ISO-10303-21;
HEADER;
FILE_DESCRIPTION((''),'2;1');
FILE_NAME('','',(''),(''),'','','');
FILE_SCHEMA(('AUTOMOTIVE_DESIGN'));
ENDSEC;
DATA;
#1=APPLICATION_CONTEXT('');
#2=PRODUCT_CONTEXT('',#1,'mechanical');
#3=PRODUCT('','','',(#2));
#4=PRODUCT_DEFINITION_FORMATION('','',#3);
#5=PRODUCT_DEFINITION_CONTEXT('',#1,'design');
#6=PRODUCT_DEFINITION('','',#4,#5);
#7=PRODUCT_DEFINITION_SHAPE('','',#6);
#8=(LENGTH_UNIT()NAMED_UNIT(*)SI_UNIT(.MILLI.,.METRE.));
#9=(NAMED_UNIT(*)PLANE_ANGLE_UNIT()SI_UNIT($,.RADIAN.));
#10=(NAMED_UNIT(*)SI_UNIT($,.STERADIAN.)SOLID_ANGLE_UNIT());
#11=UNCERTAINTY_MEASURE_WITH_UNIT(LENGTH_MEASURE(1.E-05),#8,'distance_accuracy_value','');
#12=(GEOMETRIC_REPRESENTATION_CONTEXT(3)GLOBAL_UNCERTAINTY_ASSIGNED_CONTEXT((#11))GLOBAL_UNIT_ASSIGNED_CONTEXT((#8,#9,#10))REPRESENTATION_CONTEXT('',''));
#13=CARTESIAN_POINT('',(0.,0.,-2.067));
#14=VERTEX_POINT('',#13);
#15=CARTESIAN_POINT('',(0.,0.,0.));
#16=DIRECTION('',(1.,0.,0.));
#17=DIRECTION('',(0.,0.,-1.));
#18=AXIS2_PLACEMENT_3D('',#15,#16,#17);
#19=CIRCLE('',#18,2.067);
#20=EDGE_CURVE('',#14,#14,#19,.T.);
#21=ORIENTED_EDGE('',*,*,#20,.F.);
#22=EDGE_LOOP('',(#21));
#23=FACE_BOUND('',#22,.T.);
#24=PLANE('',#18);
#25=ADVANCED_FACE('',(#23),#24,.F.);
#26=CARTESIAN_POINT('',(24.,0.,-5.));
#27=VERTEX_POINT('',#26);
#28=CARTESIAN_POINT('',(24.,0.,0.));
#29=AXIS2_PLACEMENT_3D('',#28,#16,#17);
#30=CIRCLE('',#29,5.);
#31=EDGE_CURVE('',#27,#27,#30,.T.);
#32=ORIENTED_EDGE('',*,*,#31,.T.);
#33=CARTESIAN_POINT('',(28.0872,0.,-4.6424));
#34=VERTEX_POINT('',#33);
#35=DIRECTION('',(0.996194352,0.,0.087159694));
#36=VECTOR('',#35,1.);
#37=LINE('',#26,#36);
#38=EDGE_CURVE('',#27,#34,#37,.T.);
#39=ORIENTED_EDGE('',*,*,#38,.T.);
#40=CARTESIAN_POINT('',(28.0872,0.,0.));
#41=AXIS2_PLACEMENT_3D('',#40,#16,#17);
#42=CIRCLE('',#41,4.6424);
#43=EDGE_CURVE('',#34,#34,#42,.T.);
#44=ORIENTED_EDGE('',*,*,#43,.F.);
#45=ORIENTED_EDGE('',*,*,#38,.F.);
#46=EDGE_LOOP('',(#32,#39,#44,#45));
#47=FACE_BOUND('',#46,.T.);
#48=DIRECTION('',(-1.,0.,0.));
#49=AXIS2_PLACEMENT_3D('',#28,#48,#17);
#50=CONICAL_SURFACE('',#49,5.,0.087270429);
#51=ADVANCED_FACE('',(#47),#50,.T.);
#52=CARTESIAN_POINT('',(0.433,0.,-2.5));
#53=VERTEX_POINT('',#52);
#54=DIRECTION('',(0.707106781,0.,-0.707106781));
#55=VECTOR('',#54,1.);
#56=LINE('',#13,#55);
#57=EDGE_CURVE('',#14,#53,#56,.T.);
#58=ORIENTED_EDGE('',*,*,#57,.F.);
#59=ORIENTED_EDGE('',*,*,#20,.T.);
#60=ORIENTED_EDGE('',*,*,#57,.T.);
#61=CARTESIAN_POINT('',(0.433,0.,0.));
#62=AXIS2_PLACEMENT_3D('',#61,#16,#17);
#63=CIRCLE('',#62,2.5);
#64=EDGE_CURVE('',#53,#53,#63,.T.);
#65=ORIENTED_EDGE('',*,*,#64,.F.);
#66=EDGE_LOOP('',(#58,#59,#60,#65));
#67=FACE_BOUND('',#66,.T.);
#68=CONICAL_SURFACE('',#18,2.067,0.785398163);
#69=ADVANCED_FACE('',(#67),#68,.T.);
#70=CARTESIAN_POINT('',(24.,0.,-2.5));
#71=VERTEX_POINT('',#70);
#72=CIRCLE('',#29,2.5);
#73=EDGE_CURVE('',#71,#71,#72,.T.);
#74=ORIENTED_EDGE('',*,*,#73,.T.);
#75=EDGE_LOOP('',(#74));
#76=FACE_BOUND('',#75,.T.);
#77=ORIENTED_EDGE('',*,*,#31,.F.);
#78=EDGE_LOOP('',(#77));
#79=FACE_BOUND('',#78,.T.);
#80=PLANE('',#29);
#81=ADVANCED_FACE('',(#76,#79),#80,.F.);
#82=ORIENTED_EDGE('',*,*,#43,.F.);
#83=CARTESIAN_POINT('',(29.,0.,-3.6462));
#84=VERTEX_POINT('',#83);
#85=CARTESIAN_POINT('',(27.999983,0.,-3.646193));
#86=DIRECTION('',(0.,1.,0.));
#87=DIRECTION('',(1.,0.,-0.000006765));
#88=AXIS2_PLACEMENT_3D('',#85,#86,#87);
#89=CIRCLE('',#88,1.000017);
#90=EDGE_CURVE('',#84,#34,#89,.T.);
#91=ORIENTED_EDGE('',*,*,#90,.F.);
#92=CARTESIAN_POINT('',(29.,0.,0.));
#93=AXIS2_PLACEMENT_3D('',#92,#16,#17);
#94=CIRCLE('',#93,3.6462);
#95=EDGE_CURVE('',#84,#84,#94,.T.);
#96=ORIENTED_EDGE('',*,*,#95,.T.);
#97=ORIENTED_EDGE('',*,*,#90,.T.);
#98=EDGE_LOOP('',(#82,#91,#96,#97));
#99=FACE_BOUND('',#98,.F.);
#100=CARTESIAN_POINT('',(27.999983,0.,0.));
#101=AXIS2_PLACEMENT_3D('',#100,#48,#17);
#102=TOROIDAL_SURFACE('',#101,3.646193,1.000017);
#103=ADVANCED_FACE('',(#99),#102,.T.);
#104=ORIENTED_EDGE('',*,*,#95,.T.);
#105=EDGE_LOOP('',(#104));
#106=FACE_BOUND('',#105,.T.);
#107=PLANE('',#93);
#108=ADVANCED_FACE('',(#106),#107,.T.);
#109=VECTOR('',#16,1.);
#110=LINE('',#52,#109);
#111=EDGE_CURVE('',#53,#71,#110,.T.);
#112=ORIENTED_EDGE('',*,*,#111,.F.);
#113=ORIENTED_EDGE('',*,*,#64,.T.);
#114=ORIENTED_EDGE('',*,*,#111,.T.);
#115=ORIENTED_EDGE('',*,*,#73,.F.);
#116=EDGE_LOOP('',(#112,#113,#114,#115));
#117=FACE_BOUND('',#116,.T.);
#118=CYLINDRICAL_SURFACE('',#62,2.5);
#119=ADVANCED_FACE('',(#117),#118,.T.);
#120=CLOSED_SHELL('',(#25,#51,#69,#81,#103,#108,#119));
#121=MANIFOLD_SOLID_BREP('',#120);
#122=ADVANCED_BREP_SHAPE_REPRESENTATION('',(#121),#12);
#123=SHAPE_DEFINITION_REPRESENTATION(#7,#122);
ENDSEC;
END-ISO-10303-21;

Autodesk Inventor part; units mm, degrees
sketch "Skizze_1" plane through (0, 0, 0) normal (0, 1, 0) x (-1, 0, 0)
  line L0 (-29, 0) -> (0, 0)
  line L1 (0, 0) -> (0, -2.067)
  line L2 (0, -2.067) -> (-0.433, -2.5)
  line L3 (-0.433, -2.5) -> (-24, -2.5)
  line L4 (-24, -2.5) -> (-24, -5)
  line L5 (-24, -5) -> (-28.0872, -4.6424)
  arc A0 (-29, -3.6462) -> (-28.0872, -4.6424) centre (-28, -3.6462) ccw
  line L6 (-29, -3.6462) -> (-29, 0)
  line L7 (-29, 0) -> (0, 0)
revolve "Revolution1" add sketch "Skizze_1" angle 360 about axis through (29, 0, 0) along (1, 0, 0)
thread "Thread1" size "M5x0.8" class "6g" standard "ISO Metric profile" length 23.5 offset 0.5
ref_plane "AS_XY" through (12.5, 0, 0) normal (1, 0, 0) x (0, 0, -1)
ref_plane "AS_YZ" through (12.5, 0, 0) normal (0, 0, -1) x (0, 1, 0)
ref_plane "AS_ZX" through (12.5, 0, 0) normal (0, 1, 0) x (1, 0, 0)
properties part number "305208-KOMP"
